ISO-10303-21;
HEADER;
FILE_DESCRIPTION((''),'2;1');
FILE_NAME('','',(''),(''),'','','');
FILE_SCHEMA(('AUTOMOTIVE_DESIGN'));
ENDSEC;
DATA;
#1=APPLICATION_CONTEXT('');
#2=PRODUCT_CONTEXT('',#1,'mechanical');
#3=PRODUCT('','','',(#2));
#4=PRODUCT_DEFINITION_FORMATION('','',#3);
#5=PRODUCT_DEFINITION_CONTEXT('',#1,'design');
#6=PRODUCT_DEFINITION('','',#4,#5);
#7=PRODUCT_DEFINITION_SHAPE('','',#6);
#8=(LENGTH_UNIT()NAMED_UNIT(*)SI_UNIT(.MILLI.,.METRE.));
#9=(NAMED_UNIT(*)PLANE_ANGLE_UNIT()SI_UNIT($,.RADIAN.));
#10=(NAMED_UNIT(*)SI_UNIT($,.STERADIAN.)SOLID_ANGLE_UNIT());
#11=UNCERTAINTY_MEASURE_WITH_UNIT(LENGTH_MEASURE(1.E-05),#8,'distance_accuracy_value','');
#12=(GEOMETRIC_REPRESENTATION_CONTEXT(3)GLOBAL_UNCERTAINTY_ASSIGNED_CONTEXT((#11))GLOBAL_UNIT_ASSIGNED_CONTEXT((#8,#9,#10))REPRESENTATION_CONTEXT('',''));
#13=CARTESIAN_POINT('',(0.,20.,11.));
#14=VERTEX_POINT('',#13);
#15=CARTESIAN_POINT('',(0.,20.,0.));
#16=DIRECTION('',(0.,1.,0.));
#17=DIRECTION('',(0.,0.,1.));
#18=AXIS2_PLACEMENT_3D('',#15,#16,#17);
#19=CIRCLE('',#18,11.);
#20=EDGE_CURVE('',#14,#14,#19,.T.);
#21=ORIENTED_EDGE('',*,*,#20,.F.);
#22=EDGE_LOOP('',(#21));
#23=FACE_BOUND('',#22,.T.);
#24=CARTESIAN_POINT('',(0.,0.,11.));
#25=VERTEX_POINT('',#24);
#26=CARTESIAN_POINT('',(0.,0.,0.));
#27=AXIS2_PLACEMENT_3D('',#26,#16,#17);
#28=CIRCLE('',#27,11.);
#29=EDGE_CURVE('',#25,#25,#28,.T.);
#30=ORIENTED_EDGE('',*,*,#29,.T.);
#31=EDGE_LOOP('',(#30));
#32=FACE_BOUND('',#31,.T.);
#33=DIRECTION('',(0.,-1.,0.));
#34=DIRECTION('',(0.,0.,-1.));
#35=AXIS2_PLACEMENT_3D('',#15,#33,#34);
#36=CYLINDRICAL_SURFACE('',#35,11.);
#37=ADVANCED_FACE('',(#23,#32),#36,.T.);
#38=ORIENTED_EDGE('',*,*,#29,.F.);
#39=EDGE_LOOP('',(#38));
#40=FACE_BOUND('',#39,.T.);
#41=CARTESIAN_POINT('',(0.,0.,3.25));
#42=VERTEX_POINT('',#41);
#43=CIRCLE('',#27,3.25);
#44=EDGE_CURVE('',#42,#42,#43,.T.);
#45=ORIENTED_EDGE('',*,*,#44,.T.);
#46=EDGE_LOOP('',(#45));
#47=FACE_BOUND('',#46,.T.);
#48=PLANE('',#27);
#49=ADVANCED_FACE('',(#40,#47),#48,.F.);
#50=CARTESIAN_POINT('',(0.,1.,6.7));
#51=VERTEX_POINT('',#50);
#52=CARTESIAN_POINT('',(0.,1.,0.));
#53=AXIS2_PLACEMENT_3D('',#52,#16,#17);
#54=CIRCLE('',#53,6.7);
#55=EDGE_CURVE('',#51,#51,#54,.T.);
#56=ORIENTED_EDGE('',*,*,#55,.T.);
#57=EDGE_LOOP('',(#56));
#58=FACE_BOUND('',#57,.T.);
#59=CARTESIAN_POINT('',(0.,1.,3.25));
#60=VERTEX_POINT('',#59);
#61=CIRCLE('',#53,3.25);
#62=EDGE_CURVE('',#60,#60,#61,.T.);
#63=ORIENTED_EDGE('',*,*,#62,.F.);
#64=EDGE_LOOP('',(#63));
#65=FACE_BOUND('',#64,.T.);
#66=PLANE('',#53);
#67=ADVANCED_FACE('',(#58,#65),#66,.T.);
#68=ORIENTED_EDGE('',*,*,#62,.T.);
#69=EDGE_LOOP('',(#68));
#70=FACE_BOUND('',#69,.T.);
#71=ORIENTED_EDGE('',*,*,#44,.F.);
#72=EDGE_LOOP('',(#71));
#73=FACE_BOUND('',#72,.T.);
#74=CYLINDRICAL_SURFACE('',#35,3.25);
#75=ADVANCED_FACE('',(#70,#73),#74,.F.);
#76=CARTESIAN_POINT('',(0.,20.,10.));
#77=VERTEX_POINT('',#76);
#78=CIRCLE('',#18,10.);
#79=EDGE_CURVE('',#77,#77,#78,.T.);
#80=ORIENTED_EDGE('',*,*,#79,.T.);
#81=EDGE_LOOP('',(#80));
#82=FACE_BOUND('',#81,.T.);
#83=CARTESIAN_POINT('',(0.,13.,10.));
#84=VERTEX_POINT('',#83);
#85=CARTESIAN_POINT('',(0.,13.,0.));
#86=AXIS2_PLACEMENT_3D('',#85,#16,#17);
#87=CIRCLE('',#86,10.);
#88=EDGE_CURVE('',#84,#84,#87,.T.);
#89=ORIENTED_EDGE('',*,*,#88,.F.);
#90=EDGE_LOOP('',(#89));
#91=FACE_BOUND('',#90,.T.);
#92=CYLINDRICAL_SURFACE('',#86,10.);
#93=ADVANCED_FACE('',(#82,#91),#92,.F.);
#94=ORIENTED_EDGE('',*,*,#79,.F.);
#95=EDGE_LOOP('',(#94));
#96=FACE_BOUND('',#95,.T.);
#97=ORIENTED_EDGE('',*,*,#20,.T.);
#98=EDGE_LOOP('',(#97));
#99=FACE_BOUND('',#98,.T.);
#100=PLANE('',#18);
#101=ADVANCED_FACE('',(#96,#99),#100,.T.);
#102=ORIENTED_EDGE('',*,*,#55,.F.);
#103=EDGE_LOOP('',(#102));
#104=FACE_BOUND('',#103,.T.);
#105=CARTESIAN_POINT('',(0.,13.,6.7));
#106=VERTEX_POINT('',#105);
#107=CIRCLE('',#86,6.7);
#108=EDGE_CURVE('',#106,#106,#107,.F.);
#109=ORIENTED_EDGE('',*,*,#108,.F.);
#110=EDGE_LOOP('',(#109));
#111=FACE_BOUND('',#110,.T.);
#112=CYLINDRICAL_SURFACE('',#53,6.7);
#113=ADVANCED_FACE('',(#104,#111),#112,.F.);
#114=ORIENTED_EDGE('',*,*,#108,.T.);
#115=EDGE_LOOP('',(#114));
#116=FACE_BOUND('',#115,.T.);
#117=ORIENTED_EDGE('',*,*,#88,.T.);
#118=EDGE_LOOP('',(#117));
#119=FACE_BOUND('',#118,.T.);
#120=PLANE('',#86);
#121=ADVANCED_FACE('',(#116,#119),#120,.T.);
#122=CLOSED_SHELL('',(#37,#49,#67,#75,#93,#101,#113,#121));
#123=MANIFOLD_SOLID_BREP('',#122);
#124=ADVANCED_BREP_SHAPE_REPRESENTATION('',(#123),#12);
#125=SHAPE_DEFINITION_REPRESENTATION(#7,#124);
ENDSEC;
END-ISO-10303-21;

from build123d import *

# Parameters (mm, degrees)
SKETCH1_R           = 11
BOSS_EXTRUDE1_DEPTH = 20
SKETCH2_R           = 3.25
CUT_EXTRUDE1_DEPTH  = 20
SKETCH3_R           = 6.7
CUT_EXTRUDE2_DEPTH  = 19
SKETCH5_R           = 10
CUT_EXTRUDE3_DEPTH  = 7


with BuildPart() as part:
    # Sketch1 → Boss-Extrude1 (new body)
    with BuildSketch(Plane(origin=(0, 0, 0), x_dir=(1, 0, 0), z_dir=(0, 1, 0))):
        with Locations(Location((0, 0, 0), (0, 0, 270))):
            Circle(SKETCH1_R)
    extrude(amount=BOSS_EXTRUDE1_DEPTH)

    # Sketch2 → Cut-Extrude1 (cut)
    with BuildSketch(Plane(origin=(0, 0, 0), x_dir=(1, 0, 0), z_dir=(0, 1, 0))):
        with Locations(Location((0, 0, 0), (0, 0, 270))):
            Circle(SKETCH2_R)
    extrude(amount=CUT_EXTRUDE1_DEPTH, mode=Mode.SUBTRACT)

    # Sketch3 → Cut-Extrude2 (cut)
    with BuildSketch(Plane(origin=(0, 20, 0), x_dir=(1, 0, 0), z_dir=(0, 1, 0))):
        with Locations(Location((0, 0, 0), (0, 0, 270))):
            Circle(SKETCH3_R)
    extrude(amount=-CUT_EXTRUDE2_DEPTH, mode=Mode.SUBTRACT)

    # Sketch5 → Cut-Extrude3 (cut)
    with BuildSketch(Plane(origin=(0, 20, 0), x_dir=(1, 0, 0), z_dir=(0, 1, 0))):
        with Locations(Location((0, 0, 0), (0, 0, 270))):
            Circle(SKETCH5_R)
    extrude(amount=-CUT_EXTRUDE3_DEPTH, mode=Mode.SUBTRACT)


solid = part.part
